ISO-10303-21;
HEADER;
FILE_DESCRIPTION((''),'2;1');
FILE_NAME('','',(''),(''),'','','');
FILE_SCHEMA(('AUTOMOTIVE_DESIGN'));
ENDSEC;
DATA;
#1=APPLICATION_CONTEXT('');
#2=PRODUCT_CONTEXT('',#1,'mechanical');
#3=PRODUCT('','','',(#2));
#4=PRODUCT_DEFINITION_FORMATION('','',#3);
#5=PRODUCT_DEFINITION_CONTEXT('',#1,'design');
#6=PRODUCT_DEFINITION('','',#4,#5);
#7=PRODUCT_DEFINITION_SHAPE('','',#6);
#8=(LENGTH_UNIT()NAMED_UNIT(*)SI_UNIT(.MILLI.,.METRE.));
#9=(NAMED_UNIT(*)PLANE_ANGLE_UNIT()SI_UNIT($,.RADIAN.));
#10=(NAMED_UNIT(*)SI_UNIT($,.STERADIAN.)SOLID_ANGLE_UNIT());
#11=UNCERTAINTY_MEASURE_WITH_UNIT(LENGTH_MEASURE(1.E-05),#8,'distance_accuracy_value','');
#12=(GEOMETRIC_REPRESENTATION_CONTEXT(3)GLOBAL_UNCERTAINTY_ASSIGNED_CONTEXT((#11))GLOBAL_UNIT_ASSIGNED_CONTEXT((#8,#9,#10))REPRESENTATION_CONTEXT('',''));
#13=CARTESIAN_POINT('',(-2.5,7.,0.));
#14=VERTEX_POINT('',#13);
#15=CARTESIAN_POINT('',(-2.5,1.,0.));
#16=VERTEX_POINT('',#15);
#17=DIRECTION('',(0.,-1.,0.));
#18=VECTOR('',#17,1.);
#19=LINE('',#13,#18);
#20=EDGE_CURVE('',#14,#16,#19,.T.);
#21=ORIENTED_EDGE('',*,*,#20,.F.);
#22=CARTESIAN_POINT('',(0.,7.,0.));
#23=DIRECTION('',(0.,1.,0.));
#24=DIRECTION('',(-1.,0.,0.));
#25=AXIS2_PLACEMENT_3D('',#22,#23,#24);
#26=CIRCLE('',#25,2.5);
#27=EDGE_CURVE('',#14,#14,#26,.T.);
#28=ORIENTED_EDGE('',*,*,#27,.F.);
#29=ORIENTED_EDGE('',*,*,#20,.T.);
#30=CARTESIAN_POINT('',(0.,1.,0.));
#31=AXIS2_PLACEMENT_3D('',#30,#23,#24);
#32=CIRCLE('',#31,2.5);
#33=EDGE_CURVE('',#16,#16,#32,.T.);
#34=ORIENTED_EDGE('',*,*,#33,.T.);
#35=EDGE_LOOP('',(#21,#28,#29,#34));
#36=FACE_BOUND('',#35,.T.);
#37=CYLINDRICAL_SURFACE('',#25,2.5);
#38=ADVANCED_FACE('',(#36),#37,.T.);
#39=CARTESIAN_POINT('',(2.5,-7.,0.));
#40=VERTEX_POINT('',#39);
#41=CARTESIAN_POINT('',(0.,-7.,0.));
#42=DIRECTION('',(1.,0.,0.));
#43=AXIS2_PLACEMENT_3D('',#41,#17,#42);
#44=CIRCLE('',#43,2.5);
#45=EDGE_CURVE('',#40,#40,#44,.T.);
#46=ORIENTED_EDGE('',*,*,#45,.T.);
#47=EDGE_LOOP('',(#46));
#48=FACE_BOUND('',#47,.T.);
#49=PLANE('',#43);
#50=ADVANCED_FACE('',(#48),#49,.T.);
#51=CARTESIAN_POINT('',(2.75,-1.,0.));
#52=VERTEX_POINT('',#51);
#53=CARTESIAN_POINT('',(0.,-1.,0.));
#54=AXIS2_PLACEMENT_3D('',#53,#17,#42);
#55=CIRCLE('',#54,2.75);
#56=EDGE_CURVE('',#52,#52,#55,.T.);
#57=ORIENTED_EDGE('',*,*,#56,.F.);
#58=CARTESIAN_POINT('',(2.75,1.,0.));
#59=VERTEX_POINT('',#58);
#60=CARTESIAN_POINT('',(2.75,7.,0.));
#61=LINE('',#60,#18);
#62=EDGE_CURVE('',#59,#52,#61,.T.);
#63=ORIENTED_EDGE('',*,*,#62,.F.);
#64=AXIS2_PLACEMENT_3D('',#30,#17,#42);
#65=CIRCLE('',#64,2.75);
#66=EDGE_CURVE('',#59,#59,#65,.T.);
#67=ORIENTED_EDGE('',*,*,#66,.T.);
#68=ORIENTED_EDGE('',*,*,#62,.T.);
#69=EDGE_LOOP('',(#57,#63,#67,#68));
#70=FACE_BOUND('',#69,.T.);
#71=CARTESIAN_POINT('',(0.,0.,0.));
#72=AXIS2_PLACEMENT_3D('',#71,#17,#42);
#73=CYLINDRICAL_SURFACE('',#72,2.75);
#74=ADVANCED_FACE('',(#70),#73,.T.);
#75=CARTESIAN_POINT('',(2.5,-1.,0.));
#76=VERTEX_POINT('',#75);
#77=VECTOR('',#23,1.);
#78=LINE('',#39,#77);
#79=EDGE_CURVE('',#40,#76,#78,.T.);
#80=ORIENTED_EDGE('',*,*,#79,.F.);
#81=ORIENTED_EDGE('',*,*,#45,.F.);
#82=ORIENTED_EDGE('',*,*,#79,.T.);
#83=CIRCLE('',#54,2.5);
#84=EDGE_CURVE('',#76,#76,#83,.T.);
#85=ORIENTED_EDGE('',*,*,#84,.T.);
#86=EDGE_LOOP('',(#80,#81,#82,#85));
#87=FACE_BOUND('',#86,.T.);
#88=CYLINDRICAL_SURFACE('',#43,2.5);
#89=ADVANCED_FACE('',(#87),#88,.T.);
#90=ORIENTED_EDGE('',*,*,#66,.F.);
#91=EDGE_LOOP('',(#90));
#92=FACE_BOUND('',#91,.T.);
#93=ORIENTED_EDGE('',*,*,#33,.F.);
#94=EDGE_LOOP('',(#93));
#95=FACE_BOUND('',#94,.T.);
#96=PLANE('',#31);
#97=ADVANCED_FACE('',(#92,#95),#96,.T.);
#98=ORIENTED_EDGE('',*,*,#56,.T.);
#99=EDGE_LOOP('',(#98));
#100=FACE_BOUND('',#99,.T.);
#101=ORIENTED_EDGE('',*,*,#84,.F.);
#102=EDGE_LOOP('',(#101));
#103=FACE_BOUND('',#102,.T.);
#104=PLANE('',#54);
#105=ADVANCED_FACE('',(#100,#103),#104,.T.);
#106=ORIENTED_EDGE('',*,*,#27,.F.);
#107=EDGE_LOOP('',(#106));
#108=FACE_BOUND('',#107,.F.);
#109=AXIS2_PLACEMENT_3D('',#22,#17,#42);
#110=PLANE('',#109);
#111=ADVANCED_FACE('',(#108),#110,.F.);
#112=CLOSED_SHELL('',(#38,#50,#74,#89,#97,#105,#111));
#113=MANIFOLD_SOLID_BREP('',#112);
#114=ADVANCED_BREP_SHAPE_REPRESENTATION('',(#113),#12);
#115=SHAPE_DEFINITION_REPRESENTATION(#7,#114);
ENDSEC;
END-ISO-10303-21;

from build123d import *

# Parameters (mm, degrees)
F0_R     = 2.75
F1_DEPTH = 7
F2_R     = 2.75
F2_R_2   = 2.5
F3_DEPTH = 6
F4_R     = 2.75
F4_R_2   = 2.5
F5_DEPTH = 6


with BuildPart() as f1:
    # F0 (on Front) → F1 (new body, symmetric)
    with BuildSketch(Plane.XZ):
        Circle(F0_R)
    extrude(amount=F1_DEPTH, both=True)

    # F2 (on face) → F3 (cut)
    with BuildSketch(Plane.XZ.offset(7)):
        Circle(F2_R)
        Circle(F2_R_2, mode=Mode.SUBTRACT)
    extrude(amount=-F3_DEPTH, mode=Mode.SUBTRACT)

    # F4 (on face) → F5 (cut)
    with BuildSketch(Plane(origin=(0, 7, 0), x_dir=(-1, 0, 0), z_dir=(0, 1, 0))):
        Circle(F4_R)
        Circle(F4_R_2, mode=Mode.SUBTRACT)
    extrude(amount=-F5_DEPTH, mode=Mode.SUBTRACT)


solid = f1.part
